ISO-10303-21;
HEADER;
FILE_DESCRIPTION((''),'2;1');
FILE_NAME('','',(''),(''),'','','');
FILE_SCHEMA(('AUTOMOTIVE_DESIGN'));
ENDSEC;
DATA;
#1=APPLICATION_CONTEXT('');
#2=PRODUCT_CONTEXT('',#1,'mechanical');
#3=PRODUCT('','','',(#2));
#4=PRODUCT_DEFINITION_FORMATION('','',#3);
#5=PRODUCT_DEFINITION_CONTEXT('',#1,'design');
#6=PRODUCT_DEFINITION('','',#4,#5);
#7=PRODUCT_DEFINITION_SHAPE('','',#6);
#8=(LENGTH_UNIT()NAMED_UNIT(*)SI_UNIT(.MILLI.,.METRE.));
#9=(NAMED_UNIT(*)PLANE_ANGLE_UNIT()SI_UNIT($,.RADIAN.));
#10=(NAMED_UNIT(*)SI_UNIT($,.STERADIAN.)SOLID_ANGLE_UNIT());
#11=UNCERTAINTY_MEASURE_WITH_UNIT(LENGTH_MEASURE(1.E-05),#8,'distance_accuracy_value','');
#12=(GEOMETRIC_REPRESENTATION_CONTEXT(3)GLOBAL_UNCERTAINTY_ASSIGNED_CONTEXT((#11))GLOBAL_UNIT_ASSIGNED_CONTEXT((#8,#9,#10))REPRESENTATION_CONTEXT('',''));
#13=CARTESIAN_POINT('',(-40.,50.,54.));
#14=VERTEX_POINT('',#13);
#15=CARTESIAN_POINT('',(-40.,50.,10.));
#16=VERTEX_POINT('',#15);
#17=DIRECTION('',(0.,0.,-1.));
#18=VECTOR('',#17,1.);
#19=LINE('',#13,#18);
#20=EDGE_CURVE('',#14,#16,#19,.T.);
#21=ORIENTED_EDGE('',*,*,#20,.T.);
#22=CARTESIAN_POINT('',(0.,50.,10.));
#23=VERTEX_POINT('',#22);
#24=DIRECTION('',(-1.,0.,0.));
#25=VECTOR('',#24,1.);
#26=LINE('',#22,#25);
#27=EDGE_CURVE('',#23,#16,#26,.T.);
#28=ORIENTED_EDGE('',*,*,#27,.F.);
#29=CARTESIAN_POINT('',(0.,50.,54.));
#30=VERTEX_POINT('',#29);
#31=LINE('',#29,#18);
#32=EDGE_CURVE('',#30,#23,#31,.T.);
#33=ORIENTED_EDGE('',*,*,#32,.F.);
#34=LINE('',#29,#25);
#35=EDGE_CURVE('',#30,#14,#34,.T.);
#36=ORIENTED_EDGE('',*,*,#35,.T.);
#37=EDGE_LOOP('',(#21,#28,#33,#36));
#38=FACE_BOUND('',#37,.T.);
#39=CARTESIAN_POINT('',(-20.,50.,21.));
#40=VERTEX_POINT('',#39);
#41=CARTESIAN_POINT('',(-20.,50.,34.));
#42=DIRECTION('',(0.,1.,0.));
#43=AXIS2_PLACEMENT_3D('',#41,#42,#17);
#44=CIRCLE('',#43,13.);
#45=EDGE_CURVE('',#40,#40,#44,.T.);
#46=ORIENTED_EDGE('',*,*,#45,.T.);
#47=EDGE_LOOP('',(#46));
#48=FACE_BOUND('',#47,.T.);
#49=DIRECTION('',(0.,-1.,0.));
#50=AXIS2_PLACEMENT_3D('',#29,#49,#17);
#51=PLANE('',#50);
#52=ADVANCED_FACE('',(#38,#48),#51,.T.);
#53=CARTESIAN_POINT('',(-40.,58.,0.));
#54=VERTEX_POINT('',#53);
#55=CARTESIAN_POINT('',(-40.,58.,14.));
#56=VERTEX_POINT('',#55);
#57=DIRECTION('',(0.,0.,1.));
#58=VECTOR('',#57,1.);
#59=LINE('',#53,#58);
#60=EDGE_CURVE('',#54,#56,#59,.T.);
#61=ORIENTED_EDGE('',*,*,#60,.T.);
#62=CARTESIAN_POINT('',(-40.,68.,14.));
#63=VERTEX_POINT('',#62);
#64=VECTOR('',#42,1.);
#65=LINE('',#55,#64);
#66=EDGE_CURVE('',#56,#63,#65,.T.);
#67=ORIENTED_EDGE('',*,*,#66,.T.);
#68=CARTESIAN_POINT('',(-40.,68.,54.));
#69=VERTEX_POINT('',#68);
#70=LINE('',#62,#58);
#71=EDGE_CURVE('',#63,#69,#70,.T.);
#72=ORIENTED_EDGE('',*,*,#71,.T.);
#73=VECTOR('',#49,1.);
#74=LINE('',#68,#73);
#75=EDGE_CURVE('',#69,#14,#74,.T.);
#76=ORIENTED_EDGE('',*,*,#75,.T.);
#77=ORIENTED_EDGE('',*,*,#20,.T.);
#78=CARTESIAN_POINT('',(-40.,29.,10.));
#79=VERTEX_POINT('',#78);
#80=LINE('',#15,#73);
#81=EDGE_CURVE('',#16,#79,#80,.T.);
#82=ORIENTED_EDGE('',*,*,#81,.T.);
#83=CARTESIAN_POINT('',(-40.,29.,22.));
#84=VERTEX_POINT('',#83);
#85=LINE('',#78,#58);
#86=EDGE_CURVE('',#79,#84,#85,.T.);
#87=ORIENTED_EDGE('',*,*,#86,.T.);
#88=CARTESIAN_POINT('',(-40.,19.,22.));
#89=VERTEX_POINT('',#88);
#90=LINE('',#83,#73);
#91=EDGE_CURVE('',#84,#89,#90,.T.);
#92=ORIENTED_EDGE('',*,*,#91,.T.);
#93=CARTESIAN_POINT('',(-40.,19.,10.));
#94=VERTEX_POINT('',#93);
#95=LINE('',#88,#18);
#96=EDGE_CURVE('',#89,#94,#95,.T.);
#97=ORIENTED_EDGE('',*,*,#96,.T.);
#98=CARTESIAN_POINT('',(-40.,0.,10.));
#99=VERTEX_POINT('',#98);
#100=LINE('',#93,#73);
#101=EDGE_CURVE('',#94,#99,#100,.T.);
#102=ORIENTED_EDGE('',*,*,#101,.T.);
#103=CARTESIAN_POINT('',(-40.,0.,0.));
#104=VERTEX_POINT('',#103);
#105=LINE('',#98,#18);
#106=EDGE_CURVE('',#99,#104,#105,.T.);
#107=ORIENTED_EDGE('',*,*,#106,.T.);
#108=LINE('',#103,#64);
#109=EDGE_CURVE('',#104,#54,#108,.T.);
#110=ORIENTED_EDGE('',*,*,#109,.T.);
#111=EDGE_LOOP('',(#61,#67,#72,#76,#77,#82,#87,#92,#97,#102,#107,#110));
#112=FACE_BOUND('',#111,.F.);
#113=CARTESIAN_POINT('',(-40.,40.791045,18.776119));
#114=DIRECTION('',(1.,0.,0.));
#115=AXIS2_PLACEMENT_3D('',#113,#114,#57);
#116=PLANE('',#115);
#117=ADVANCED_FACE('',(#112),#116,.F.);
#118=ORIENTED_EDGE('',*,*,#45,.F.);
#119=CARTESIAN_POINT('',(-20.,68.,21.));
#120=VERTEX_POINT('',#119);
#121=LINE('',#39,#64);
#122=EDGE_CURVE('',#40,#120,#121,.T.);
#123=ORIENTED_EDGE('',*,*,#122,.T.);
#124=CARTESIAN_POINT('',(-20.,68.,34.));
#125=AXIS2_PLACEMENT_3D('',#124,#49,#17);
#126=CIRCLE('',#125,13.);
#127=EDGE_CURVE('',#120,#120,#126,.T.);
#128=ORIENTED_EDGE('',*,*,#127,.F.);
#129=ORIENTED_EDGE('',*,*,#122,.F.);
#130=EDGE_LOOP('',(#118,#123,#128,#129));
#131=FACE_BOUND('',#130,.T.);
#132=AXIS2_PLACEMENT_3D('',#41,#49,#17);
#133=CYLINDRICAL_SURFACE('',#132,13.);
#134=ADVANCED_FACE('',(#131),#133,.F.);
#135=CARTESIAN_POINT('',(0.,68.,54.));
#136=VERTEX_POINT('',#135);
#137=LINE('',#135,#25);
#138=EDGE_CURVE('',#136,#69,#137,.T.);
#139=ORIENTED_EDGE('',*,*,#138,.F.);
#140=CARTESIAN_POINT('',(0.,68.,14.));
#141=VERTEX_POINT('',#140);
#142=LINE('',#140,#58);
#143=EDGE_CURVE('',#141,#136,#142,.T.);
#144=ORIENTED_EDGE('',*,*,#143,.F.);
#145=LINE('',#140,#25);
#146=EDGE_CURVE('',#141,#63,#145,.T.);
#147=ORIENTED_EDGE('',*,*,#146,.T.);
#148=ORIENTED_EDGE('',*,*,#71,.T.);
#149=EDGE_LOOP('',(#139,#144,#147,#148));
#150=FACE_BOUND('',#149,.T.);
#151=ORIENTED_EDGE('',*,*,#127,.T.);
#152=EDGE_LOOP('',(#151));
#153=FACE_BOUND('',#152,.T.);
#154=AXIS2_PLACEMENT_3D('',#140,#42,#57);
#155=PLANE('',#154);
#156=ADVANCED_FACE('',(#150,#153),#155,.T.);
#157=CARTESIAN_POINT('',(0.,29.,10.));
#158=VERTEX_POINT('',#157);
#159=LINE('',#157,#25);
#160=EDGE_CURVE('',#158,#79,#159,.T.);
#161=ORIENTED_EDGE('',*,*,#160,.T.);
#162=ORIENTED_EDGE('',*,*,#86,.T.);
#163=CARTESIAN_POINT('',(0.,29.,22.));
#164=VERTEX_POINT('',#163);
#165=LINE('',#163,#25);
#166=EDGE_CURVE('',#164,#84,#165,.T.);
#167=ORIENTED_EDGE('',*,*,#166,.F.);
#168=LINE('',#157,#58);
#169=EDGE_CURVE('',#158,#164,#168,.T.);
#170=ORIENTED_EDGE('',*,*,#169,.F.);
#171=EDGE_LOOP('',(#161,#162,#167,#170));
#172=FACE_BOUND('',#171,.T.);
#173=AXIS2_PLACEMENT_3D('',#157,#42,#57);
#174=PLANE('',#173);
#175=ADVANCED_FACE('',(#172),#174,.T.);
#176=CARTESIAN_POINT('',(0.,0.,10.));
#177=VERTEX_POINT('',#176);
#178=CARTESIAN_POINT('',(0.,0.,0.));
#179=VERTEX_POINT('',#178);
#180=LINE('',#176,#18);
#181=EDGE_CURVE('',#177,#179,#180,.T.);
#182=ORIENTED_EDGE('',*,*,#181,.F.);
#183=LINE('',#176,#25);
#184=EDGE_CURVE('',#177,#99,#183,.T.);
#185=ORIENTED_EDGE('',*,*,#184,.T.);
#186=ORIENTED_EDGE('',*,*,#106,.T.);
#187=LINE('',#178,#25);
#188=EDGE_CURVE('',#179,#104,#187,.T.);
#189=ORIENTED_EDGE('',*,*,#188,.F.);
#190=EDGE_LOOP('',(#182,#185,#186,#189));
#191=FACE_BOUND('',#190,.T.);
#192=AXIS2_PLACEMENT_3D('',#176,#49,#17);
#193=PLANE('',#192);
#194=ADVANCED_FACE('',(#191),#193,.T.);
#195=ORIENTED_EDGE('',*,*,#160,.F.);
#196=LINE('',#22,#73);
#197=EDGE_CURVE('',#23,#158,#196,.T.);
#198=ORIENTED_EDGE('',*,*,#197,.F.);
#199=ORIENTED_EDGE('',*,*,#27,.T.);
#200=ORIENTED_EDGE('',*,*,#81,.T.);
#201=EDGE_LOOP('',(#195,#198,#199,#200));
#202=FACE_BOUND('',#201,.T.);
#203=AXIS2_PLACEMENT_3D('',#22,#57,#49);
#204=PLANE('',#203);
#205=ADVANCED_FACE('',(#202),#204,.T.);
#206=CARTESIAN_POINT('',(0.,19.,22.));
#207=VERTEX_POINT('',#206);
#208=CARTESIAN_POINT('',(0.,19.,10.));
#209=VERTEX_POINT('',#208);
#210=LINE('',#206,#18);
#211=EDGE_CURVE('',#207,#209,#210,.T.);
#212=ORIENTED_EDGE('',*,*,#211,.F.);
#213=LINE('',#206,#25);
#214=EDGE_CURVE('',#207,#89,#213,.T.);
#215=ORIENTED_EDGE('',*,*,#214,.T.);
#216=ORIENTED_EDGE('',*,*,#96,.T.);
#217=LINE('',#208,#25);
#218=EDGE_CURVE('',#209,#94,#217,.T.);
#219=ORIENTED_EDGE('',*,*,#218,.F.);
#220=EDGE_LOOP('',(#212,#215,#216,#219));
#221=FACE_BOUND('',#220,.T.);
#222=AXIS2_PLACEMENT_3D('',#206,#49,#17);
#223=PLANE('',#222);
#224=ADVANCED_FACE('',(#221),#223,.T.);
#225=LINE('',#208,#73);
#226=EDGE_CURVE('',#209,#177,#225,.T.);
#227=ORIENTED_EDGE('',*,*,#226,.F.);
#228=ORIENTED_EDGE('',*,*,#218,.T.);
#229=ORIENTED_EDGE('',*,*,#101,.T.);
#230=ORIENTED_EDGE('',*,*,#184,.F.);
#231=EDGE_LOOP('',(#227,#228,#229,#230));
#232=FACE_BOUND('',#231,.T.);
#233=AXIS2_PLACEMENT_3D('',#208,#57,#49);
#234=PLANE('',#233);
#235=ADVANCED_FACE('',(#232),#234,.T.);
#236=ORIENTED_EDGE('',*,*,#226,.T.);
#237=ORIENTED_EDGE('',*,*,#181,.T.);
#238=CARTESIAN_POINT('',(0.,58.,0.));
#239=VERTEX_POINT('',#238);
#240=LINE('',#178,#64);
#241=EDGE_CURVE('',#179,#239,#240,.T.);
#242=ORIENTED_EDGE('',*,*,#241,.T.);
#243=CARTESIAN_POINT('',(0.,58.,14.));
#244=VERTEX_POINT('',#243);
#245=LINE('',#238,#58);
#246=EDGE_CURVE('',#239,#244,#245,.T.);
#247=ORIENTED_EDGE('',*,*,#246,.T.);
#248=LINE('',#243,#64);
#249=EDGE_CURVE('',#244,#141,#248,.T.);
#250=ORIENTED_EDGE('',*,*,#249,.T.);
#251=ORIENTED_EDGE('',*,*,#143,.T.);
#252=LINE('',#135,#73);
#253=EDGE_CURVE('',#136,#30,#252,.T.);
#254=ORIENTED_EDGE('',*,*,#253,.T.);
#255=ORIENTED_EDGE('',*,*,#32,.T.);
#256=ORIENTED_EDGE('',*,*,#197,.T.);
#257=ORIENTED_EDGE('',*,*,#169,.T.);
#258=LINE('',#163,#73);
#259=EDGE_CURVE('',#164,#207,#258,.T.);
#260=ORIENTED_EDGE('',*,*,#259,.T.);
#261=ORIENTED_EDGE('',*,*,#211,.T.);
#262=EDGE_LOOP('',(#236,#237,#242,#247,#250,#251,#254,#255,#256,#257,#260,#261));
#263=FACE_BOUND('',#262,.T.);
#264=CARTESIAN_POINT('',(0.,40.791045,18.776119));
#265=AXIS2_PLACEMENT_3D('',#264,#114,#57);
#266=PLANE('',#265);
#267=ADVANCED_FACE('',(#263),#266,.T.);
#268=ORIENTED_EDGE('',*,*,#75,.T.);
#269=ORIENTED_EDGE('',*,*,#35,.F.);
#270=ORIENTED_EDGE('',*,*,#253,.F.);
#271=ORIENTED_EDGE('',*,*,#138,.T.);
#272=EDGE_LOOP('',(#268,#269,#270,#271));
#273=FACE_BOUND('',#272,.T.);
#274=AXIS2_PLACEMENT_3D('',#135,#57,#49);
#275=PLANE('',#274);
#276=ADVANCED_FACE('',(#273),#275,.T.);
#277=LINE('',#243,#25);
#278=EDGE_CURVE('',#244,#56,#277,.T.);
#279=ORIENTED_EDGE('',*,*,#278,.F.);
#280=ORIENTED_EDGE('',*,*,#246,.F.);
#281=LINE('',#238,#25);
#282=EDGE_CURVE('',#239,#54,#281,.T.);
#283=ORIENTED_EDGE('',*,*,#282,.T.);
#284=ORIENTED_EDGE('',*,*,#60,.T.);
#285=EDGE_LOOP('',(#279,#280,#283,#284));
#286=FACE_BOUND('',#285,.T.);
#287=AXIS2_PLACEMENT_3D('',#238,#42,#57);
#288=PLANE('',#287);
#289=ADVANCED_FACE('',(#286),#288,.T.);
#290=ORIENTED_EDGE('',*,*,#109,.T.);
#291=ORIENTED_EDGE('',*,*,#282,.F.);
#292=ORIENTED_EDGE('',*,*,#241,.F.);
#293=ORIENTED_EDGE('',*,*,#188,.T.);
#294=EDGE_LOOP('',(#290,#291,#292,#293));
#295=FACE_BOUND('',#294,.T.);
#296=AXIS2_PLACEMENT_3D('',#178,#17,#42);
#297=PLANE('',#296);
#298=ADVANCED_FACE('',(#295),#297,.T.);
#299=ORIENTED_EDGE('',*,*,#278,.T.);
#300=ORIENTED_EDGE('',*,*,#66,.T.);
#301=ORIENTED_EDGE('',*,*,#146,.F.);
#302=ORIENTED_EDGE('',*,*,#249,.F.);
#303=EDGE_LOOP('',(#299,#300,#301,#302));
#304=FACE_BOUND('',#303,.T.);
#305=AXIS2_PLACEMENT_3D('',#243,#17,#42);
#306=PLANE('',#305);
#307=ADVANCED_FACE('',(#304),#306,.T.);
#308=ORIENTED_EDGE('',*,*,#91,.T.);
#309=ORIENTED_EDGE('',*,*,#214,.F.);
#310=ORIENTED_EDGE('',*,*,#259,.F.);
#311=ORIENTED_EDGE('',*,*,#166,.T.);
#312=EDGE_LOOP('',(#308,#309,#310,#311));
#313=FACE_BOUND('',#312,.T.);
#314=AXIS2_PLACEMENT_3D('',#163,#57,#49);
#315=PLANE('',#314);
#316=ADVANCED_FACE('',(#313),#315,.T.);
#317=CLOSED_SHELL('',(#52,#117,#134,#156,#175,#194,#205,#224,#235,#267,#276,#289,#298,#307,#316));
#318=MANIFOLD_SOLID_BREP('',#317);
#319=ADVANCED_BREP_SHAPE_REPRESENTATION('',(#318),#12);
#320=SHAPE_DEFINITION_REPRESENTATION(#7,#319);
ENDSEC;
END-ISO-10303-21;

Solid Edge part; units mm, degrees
sketch "Sketch1" plane through (0, 0, 0) normal (1, 0, 0) x (0, 1, 0)
  line L0 (19, 22) -> (19, 10)
  line L1 (19, 10) -> (0, 10)
  line L2 (0, 10) -> (0, 0)
  line L3 (0, 0) -> (58, 0)
  line L4 (58, 0) -> (58, 14)
  line L5 (58, 14) -> (68, 14)
  line L6 (68, 14) -> (68, 54)
  line L7 (68, 54) -> (50, 54)
  line L8 (50, 54) -> (50, 10)
  line L9 (50, 10) -> (29, 10)
  line L10 (29, 10) -> (29, 22)
  line L11 (29, 22) -> (19, 22)
extrude "ProtrusiónExtruida_1" add sketch "Sketch1" against normal blind 40
hole "Agujero_1" at (-20, 50, 34) direction (0, 1, 0) diameter 26 end up to next
